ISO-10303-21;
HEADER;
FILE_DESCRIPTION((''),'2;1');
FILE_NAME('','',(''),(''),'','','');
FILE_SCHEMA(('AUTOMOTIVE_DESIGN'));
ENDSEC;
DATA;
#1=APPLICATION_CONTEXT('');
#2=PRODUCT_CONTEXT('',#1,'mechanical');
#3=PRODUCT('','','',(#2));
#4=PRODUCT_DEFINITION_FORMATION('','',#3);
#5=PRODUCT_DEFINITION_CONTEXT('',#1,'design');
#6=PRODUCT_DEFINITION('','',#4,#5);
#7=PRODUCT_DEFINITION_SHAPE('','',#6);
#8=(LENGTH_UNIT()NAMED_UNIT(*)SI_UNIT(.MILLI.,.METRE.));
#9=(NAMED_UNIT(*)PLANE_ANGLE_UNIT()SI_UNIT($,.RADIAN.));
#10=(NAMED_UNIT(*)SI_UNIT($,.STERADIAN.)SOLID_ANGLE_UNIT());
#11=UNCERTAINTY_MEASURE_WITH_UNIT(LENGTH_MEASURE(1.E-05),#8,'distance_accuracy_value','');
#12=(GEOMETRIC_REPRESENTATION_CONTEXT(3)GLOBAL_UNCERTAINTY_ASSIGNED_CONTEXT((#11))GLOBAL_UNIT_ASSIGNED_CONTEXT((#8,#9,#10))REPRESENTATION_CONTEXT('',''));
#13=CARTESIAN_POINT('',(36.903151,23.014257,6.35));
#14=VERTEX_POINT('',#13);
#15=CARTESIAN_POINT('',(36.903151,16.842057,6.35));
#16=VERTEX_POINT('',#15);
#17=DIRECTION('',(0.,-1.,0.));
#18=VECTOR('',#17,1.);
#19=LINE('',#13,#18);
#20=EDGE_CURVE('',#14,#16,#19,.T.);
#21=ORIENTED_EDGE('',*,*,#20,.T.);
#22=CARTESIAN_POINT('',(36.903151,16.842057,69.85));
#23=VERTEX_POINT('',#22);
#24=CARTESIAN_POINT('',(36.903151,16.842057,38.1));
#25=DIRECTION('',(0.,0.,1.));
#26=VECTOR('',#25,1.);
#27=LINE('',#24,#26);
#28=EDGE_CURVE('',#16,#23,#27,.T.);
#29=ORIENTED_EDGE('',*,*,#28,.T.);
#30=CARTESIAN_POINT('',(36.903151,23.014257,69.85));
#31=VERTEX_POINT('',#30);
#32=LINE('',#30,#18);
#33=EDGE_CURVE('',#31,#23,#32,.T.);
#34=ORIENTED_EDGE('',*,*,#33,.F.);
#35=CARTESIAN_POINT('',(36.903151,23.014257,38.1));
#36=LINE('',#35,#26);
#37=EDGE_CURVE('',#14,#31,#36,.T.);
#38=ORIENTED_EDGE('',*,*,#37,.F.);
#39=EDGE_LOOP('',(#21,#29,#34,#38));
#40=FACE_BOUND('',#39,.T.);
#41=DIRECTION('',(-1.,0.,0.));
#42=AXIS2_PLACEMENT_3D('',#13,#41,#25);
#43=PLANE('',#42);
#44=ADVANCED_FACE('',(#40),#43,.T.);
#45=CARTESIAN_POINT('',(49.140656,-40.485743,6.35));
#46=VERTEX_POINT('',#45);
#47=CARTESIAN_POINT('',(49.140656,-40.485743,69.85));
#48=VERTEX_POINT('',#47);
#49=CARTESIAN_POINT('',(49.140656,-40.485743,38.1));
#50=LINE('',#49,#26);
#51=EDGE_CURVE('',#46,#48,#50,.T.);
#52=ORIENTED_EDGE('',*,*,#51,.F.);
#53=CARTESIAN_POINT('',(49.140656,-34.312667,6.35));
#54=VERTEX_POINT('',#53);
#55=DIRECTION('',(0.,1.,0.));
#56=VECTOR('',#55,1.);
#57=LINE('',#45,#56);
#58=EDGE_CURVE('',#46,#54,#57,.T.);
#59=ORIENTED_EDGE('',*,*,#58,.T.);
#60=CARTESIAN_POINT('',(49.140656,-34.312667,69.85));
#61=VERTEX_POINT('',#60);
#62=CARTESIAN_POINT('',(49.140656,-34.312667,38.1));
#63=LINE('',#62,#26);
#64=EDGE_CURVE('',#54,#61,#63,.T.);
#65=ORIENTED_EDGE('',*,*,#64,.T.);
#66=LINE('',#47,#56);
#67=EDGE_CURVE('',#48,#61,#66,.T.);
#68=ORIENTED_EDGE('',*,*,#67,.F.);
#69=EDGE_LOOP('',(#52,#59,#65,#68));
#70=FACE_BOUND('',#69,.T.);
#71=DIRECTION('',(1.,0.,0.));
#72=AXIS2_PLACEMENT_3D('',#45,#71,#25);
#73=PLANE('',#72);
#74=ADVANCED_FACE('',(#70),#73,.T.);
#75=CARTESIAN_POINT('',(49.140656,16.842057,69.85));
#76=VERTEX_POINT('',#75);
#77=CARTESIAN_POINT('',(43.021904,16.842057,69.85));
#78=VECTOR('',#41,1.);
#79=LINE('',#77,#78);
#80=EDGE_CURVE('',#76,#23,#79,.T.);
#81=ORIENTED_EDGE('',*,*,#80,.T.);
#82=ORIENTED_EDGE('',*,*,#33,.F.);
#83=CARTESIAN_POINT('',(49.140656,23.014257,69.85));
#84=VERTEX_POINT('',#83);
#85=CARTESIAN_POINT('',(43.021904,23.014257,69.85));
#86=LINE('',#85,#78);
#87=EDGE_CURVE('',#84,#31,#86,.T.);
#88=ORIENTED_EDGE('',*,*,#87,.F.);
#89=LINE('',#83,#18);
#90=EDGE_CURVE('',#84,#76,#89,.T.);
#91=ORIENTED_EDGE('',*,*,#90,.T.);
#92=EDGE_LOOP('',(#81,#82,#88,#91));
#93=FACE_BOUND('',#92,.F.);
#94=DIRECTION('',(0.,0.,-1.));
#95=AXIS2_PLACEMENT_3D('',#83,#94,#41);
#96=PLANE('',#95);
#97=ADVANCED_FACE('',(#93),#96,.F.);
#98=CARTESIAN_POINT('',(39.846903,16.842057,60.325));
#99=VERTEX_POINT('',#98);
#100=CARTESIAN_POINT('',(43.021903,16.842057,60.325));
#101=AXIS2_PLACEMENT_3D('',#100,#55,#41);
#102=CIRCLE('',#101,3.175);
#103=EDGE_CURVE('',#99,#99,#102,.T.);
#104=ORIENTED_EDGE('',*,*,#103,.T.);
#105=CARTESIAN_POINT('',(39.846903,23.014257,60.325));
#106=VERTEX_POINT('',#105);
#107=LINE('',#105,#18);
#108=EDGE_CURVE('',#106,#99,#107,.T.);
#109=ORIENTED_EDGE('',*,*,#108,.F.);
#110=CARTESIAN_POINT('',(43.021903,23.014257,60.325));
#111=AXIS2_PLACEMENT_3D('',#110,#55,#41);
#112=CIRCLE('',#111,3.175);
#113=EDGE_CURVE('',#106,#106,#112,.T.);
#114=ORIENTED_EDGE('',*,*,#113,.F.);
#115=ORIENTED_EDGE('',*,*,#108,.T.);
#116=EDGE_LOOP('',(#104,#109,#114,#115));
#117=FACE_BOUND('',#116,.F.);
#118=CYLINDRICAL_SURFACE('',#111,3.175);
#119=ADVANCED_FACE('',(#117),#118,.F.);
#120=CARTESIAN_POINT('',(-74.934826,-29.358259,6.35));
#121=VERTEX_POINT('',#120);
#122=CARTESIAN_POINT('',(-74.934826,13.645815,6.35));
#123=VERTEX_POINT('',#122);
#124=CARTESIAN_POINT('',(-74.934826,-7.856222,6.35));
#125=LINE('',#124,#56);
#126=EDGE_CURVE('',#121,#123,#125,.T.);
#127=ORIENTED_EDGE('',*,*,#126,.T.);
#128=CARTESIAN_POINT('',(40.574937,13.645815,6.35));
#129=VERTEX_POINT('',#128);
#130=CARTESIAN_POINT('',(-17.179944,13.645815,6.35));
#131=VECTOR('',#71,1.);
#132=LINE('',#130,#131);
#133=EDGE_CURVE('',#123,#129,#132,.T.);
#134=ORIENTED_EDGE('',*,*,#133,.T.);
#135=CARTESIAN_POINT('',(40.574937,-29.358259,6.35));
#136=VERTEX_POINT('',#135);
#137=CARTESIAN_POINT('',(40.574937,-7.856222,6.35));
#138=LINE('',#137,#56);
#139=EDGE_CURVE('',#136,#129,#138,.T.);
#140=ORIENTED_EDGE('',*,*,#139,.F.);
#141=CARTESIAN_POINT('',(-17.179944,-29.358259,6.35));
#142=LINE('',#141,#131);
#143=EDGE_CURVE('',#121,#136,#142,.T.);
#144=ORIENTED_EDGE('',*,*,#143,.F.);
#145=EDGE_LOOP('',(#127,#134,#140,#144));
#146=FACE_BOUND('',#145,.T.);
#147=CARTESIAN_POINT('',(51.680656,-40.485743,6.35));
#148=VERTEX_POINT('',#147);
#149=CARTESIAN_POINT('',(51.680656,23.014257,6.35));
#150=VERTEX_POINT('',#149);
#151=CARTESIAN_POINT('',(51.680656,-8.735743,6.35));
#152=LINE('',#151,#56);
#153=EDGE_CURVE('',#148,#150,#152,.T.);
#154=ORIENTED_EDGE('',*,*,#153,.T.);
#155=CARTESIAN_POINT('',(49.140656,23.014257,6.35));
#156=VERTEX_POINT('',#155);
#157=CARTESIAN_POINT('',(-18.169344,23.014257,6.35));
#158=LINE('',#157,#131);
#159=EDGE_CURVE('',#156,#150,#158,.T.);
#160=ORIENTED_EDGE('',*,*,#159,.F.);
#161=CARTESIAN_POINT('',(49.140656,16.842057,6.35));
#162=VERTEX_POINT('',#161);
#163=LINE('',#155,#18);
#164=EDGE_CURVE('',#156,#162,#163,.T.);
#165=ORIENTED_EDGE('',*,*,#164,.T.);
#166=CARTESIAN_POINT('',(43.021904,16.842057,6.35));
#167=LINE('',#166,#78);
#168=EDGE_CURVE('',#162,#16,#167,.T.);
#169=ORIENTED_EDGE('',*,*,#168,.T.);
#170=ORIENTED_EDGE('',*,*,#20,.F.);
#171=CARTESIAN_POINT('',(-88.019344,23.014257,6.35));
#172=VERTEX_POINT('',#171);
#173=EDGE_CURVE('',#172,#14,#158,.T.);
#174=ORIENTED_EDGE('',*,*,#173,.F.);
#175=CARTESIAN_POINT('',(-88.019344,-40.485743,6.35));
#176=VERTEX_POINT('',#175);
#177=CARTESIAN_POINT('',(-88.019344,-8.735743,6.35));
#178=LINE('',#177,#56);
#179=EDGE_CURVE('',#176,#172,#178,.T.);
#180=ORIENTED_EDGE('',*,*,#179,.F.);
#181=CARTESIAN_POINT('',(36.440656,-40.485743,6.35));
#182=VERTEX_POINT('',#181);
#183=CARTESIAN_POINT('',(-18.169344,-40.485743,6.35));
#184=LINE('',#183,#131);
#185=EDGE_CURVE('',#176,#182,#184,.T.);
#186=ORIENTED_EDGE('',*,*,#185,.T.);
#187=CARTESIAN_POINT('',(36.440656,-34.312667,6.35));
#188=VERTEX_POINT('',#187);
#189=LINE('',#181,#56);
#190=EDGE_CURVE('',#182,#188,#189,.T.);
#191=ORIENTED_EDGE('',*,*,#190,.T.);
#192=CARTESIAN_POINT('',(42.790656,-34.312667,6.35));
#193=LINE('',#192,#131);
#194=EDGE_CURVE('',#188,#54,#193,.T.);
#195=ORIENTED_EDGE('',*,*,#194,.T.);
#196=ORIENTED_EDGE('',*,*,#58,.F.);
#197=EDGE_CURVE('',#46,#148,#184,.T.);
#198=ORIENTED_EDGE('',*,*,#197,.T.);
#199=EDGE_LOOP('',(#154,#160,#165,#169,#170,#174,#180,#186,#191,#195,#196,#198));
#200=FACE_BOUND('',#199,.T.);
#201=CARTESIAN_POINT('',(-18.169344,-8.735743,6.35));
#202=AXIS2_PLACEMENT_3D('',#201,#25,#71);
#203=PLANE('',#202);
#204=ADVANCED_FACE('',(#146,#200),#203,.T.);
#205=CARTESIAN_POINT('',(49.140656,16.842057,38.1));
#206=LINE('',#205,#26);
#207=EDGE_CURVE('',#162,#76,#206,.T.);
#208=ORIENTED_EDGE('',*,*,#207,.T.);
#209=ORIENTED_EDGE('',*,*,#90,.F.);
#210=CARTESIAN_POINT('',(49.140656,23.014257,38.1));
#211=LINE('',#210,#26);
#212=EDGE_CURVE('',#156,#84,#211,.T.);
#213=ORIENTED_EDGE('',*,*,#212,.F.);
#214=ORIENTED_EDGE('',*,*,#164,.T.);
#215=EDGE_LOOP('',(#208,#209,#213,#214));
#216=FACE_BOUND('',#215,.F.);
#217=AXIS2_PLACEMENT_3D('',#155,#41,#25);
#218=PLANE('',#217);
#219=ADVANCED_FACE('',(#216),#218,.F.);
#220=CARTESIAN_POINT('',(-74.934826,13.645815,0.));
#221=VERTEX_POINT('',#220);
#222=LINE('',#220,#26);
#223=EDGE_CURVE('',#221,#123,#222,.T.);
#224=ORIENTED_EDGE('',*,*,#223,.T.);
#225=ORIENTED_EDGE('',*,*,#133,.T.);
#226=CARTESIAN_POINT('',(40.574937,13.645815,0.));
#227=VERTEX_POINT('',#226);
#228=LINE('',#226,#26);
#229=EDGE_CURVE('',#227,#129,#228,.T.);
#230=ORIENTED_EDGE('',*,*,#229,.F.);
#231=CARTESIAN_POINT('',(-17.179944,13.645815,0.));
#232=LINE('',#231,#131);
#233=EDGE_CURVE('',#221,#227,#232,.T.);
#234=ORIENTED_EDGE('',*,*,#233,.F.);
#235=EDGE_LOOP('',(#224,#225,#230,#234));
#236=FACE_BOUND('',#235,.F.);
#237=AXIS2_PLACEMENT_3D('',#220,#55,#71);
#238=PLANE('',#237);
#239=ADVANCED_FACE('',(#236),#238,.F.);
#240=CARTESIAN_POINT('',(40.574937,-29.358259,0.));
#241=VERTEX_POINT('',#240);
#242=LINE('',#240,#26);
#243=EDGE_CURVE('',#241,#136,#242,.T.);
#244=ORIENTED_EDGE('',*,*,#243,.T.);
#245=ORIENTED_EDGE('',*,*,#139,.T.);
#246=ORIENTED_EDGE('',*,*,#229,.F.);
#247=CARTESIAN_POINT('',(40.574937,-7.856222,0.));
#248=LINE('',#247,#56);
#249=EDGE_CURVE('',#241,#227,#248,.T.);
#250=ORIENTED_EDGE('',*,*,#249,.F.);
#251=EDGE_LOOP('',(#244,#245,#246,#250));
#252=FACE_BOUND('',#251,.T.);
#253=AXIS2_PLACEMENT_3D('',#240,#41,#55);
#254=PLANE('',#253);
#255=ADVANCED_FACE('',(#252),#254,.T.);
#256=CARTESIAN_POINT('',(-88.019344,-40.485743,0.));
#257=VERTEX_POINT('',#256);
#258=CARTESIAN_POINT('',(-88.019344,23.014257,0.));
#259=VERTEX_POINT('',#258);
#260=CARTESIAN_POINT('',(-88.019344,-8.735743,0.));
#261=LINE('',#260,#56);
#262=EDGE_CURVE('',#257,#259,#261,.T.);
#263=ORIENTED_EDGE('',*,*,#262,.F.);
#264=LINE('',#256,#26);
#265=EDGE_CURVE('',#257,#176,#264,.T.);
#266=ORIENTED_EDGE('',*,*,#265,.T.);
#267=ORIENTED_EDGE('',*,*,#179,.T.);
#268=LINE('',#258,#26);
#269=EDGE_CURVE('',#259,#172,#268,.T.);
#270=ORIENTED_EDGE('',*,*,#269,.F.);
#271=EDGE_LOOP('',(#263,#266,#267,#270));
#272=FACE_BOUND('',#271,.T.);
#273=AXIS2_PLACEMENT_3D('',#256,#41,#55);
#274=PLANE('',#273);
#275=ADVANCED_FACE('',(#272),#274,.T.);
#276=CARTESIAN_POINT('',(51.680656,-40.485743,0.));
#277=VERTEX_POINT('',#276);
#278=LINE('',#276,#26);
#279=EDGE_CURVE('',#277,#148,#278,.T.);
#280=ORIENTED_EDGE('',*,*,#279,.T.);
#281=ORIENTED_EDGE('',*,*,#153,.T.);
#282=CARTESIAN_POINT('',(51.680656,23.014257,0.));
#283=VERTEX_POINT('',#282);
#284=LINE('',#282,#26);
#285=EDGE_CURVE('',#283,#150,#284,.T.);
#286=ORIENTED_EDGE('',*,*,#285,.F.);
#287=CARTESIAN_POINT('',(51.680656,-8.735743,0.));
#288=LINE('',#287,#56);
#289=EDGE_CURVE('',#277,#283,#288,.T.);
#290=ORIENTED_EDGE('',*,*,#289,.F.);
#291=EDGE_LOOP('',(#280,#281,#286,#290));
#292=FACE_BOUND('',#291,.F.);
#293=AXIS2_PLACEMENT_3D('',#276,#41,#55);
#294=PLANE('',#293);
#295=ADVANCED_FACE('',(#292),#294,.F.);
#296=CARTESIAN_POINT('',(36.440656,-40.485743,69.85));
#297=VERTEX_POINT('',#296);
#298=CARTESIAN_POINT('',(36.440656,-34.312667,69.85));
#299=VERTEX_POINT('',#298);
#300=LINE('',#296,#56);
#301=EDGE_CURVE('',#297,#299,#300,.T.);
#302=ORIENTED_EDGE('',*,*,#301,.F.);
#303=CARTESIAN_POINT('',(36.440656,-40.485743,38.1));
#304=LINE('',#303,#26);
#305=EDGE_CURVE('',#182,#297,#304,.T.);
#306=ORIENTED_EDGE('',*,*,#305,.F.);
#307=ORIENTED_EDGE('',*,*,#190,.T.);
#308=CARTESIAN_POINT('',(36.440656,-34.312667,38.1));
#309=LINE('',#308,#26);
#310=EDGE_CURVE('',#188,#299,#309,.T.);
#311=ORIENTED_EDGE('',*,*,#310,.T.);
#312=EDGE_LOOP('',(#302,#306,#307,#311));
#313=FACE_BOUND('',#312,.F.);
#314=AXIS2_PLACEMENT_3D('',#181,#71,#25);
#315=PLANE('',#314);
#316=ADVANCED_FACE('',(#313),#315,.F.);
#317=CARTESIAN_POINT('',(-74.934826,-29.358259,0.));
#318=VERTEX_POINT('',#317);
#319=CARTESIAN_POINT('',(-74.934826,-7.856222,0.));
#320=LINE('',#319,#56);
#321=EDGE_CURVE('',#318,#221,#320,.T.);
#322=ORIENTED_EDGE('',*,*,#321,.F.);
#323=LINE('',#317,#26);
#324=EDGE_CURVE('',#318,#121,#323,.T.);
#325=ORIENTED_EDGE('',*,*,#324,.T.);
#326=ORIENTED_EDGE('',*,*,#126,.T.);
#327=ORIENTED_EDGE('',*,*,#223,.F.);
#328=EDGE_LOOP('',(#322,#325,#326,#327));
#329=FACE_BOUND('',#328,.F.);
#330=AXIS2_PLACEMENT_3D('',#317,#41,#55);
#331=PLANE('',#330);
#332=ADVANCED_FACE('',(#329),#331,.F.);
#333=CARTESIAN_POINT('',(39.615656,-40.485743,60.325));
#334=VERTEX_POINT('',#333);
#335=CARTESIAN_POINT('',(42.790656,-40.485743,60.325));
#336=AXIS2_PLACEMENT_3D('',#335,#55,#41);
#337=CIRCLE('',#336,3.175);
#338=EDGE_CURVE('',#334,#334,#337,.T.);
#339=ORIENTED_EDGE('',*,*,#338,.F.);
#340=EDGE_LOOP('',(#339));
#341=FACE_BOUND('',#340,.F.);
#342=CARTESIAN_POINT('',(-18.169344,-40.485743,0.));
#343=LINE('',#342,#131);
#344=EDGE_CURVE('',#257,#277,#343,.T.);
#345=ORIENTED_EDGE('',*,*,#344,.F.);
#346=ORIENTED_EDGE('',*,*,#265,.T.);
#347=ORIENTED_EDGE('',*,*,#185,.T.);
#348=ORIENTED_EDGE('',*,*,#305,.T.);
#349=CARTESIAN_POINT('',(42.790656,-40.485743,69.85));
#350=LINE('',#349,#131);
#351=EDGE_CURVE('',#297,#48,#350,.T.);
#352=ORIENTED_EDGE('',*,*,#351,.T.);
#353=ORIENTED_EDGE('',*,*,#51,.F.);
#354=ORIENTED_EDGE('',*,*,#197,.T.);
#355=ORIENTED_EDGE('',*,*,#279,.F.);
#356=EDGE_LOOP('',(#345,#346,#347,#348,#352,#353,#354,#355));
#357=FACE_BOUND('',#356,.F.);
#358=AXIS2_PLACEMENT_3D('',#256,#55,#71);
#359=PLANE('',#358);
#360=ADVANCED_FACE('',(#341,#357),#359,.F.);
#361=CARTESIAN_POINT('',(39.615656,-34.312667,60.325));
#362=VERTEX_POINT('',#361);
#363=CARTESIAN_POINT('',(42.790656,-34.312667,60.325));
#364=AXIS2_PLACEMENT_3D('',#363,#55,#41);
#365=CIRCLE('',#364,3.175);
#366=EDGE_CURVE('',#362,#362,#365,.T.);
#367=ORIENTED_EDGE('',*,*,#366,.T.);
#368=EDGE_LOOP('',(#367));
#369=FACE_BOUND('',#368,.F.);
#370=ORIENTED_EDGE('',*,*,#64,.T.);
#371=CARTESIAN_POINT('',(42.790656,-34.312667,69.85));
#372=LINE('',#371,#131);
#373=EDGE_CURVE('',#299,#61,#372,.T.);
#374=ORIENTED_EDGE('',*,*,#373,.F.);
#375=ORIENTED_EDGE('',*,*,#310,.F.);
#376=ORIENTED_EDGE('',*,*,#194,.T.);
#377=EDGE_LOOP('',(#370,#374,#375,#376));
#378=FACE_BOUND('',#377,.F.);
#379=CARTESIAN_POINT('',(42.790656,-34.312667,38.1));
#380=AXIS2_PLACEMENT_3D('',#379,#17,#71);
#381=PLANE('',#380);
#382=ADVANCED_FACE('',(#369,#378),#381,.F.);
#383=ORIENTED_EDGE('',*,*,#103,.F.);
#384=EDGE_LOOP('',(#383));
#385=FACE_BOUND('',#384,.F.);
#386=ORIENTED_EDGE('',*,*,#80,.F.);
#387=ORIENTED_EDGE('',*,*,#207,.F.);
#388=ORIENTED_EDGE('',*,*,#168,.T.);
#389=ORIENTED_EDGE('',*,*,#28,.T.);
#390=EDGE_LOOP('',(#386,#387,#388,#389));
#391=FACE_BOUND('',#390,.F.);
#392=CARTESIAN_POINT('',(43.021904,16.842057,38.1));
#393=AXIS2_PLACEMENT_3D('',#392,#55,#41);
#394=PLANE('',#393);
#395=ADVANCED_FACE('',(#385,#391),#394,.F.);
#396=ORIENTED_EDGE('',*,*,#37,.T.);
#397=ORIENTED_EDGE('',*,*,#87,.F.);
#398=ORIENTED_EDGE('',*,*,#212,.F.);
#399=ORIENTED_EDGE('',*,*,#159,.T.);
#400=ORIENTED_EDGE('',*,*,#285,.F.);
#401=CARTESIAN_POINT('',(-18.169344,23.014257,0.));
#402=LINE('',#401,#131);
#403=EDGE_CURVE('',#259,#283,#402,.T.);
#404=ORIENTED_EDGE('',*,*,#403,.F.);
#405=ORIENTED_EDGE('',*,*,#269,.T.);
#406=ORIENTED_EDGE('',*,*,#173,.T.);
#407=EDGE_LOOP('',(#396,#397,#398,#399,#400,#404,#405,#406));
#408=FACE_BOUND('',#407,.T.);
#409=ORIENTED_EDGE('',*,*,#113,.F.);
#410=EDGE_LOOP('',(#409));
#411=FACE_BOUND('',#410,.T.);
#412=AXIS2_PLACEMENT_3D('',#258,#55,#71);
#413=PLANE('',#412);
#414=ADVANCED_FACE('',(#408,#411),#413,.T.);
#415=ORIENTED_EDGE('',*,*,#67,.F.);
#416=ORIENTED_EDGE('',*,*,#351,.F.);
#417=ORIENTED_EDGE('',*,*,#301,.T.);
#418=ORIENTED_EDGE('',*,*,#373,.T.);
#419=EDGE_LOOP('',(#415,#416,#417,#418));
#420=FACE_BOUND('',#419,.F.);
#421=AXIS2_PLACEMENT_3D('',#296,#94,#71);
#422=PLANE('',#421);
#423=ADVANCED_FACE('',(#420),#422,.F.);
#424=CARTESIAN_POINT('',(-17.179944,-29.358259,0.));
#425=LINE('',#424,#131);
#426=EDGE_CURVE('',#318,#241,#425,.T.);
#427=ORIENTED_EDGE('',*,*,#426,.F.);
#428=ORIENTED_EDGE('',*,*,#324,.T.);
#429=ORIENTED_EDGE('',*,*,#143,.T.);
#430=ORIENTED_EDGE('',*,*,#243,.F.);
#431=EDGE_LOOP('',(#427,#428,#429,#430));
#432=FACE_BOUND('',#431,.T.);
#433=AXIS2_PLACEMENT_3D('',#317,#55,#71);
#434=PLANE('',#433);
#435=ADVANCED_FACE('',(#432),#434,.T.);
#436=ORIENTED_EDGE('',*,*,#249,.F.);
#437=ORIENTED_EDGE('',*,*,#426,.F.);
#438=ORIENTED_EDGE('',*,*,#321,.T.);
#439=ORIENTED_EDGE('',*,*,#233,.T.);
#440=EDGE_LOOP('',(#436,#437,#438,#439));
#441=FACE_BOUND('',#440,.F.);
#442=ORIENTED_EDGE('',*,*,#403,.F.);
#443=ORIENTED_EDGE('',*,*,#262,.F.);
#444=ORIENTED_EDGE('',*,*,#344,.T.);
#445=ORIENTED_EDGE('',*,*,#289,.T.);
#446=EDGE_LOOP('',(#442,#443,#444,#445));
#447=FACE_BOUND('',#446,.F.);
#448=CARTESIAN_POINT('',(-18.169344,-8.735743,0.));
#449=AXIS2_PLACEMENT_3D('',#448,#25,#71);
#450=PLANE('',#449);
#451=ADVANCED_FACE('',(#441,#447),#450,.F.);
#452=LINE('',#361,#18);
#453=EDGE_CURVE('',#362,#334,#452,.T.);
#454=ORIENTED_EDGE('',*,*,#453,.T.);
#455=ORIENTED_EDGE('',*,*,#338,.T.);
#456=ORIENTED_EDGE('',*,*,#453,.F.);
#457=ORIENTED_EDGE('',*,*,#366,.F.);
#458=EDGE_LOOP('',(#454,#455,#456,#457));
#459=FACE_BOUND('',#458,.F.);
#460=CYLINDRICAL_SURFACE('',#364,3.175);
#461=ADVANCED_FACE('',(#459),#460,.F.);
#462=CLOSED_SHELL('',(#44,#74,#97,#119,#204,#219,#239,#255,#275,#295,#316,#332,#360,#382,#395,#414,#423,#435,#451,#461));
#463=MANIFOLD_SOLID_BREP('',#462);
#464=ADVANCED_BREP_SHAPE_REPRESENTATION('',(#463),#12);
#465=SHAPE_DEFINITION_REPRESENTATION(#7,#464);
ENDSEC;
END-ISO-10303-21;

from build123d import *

# Parameters (mm, degrees)
F0_W     = 139.7
F0_H     = 63.5
F0_W_2   = 115.509763
F0_H_2   = 43.004075
F1_DEPTH = 6.35
F2_W     = 12.7
F2_H     = 63.5
F3_DEPTH = 6.173076
F4_R     = 3.175
F5_DEPTH = 32.64235
F6_W     = 12.237505
F6_H     = 63.5
F7_DEPTH = 6.1722
F8_R     = 3.175
F9_DEPTH = 25.4


with BuildPart() as f1:
    # F0 (on Top) → F1 (new body)
    with BuildSketch(Plane.XY):
        with Locations((-18.169344, -8.735743)):
            Rectangle(F0_W, F0_H)
        with Locations((-17.179944, -7.856222)):
            Rectangle(F0_W_2, F0_H_2, mode=Mode.SUBTRACT)
    extrude(amount=F1_DEPTH)

    # F2 (on face) → F3 (join)
    with BuildSketch(Plane.XZ.offset(40.485743)):
        with Locations((42.790656, 38.1)):
            Rectangle(F2_W, F2_H)
    extrude(amount=-F3_DEPTH)

    # F4 (on face) → F5 (cut)
    with BuildSketch(Plane(origin=(0, -34.312667, 0), x_dir=(-1, 0, 0), z_dir=(0, 1, 0))):
        with Locations((-42.790656, 60.325)):
            Circle(F4_R)
    extrude(amount=-F5_DEPTH, mode=Mode.SUBTRACT)

    # F6 (on face) → F7 (join)
    with BuildSketch(Plane(origin=(0, 23.014257, 0), x_dir=(-1, 0, 0), z_dir=(0, 1, 0))):
        with Locations((-43.021904, 38.1)):
            Rectangle(F6_W, F6_H)
    extrude(amount=-F7_DEPTH)

    # F8 (on face) → F9 (cut)
    with BuildSketch(Plane(origin=(0, 23.014257, 0), x_dir=(-1, 0, 0), z_dir=(0, 1, 0))):
        with Locations((-43.021903, 60.325)):
            Circle(F8_R)
    extrude(amount=-F9_DEPTH, mode=Mode.SUBTRACT)


solid = f1.part
